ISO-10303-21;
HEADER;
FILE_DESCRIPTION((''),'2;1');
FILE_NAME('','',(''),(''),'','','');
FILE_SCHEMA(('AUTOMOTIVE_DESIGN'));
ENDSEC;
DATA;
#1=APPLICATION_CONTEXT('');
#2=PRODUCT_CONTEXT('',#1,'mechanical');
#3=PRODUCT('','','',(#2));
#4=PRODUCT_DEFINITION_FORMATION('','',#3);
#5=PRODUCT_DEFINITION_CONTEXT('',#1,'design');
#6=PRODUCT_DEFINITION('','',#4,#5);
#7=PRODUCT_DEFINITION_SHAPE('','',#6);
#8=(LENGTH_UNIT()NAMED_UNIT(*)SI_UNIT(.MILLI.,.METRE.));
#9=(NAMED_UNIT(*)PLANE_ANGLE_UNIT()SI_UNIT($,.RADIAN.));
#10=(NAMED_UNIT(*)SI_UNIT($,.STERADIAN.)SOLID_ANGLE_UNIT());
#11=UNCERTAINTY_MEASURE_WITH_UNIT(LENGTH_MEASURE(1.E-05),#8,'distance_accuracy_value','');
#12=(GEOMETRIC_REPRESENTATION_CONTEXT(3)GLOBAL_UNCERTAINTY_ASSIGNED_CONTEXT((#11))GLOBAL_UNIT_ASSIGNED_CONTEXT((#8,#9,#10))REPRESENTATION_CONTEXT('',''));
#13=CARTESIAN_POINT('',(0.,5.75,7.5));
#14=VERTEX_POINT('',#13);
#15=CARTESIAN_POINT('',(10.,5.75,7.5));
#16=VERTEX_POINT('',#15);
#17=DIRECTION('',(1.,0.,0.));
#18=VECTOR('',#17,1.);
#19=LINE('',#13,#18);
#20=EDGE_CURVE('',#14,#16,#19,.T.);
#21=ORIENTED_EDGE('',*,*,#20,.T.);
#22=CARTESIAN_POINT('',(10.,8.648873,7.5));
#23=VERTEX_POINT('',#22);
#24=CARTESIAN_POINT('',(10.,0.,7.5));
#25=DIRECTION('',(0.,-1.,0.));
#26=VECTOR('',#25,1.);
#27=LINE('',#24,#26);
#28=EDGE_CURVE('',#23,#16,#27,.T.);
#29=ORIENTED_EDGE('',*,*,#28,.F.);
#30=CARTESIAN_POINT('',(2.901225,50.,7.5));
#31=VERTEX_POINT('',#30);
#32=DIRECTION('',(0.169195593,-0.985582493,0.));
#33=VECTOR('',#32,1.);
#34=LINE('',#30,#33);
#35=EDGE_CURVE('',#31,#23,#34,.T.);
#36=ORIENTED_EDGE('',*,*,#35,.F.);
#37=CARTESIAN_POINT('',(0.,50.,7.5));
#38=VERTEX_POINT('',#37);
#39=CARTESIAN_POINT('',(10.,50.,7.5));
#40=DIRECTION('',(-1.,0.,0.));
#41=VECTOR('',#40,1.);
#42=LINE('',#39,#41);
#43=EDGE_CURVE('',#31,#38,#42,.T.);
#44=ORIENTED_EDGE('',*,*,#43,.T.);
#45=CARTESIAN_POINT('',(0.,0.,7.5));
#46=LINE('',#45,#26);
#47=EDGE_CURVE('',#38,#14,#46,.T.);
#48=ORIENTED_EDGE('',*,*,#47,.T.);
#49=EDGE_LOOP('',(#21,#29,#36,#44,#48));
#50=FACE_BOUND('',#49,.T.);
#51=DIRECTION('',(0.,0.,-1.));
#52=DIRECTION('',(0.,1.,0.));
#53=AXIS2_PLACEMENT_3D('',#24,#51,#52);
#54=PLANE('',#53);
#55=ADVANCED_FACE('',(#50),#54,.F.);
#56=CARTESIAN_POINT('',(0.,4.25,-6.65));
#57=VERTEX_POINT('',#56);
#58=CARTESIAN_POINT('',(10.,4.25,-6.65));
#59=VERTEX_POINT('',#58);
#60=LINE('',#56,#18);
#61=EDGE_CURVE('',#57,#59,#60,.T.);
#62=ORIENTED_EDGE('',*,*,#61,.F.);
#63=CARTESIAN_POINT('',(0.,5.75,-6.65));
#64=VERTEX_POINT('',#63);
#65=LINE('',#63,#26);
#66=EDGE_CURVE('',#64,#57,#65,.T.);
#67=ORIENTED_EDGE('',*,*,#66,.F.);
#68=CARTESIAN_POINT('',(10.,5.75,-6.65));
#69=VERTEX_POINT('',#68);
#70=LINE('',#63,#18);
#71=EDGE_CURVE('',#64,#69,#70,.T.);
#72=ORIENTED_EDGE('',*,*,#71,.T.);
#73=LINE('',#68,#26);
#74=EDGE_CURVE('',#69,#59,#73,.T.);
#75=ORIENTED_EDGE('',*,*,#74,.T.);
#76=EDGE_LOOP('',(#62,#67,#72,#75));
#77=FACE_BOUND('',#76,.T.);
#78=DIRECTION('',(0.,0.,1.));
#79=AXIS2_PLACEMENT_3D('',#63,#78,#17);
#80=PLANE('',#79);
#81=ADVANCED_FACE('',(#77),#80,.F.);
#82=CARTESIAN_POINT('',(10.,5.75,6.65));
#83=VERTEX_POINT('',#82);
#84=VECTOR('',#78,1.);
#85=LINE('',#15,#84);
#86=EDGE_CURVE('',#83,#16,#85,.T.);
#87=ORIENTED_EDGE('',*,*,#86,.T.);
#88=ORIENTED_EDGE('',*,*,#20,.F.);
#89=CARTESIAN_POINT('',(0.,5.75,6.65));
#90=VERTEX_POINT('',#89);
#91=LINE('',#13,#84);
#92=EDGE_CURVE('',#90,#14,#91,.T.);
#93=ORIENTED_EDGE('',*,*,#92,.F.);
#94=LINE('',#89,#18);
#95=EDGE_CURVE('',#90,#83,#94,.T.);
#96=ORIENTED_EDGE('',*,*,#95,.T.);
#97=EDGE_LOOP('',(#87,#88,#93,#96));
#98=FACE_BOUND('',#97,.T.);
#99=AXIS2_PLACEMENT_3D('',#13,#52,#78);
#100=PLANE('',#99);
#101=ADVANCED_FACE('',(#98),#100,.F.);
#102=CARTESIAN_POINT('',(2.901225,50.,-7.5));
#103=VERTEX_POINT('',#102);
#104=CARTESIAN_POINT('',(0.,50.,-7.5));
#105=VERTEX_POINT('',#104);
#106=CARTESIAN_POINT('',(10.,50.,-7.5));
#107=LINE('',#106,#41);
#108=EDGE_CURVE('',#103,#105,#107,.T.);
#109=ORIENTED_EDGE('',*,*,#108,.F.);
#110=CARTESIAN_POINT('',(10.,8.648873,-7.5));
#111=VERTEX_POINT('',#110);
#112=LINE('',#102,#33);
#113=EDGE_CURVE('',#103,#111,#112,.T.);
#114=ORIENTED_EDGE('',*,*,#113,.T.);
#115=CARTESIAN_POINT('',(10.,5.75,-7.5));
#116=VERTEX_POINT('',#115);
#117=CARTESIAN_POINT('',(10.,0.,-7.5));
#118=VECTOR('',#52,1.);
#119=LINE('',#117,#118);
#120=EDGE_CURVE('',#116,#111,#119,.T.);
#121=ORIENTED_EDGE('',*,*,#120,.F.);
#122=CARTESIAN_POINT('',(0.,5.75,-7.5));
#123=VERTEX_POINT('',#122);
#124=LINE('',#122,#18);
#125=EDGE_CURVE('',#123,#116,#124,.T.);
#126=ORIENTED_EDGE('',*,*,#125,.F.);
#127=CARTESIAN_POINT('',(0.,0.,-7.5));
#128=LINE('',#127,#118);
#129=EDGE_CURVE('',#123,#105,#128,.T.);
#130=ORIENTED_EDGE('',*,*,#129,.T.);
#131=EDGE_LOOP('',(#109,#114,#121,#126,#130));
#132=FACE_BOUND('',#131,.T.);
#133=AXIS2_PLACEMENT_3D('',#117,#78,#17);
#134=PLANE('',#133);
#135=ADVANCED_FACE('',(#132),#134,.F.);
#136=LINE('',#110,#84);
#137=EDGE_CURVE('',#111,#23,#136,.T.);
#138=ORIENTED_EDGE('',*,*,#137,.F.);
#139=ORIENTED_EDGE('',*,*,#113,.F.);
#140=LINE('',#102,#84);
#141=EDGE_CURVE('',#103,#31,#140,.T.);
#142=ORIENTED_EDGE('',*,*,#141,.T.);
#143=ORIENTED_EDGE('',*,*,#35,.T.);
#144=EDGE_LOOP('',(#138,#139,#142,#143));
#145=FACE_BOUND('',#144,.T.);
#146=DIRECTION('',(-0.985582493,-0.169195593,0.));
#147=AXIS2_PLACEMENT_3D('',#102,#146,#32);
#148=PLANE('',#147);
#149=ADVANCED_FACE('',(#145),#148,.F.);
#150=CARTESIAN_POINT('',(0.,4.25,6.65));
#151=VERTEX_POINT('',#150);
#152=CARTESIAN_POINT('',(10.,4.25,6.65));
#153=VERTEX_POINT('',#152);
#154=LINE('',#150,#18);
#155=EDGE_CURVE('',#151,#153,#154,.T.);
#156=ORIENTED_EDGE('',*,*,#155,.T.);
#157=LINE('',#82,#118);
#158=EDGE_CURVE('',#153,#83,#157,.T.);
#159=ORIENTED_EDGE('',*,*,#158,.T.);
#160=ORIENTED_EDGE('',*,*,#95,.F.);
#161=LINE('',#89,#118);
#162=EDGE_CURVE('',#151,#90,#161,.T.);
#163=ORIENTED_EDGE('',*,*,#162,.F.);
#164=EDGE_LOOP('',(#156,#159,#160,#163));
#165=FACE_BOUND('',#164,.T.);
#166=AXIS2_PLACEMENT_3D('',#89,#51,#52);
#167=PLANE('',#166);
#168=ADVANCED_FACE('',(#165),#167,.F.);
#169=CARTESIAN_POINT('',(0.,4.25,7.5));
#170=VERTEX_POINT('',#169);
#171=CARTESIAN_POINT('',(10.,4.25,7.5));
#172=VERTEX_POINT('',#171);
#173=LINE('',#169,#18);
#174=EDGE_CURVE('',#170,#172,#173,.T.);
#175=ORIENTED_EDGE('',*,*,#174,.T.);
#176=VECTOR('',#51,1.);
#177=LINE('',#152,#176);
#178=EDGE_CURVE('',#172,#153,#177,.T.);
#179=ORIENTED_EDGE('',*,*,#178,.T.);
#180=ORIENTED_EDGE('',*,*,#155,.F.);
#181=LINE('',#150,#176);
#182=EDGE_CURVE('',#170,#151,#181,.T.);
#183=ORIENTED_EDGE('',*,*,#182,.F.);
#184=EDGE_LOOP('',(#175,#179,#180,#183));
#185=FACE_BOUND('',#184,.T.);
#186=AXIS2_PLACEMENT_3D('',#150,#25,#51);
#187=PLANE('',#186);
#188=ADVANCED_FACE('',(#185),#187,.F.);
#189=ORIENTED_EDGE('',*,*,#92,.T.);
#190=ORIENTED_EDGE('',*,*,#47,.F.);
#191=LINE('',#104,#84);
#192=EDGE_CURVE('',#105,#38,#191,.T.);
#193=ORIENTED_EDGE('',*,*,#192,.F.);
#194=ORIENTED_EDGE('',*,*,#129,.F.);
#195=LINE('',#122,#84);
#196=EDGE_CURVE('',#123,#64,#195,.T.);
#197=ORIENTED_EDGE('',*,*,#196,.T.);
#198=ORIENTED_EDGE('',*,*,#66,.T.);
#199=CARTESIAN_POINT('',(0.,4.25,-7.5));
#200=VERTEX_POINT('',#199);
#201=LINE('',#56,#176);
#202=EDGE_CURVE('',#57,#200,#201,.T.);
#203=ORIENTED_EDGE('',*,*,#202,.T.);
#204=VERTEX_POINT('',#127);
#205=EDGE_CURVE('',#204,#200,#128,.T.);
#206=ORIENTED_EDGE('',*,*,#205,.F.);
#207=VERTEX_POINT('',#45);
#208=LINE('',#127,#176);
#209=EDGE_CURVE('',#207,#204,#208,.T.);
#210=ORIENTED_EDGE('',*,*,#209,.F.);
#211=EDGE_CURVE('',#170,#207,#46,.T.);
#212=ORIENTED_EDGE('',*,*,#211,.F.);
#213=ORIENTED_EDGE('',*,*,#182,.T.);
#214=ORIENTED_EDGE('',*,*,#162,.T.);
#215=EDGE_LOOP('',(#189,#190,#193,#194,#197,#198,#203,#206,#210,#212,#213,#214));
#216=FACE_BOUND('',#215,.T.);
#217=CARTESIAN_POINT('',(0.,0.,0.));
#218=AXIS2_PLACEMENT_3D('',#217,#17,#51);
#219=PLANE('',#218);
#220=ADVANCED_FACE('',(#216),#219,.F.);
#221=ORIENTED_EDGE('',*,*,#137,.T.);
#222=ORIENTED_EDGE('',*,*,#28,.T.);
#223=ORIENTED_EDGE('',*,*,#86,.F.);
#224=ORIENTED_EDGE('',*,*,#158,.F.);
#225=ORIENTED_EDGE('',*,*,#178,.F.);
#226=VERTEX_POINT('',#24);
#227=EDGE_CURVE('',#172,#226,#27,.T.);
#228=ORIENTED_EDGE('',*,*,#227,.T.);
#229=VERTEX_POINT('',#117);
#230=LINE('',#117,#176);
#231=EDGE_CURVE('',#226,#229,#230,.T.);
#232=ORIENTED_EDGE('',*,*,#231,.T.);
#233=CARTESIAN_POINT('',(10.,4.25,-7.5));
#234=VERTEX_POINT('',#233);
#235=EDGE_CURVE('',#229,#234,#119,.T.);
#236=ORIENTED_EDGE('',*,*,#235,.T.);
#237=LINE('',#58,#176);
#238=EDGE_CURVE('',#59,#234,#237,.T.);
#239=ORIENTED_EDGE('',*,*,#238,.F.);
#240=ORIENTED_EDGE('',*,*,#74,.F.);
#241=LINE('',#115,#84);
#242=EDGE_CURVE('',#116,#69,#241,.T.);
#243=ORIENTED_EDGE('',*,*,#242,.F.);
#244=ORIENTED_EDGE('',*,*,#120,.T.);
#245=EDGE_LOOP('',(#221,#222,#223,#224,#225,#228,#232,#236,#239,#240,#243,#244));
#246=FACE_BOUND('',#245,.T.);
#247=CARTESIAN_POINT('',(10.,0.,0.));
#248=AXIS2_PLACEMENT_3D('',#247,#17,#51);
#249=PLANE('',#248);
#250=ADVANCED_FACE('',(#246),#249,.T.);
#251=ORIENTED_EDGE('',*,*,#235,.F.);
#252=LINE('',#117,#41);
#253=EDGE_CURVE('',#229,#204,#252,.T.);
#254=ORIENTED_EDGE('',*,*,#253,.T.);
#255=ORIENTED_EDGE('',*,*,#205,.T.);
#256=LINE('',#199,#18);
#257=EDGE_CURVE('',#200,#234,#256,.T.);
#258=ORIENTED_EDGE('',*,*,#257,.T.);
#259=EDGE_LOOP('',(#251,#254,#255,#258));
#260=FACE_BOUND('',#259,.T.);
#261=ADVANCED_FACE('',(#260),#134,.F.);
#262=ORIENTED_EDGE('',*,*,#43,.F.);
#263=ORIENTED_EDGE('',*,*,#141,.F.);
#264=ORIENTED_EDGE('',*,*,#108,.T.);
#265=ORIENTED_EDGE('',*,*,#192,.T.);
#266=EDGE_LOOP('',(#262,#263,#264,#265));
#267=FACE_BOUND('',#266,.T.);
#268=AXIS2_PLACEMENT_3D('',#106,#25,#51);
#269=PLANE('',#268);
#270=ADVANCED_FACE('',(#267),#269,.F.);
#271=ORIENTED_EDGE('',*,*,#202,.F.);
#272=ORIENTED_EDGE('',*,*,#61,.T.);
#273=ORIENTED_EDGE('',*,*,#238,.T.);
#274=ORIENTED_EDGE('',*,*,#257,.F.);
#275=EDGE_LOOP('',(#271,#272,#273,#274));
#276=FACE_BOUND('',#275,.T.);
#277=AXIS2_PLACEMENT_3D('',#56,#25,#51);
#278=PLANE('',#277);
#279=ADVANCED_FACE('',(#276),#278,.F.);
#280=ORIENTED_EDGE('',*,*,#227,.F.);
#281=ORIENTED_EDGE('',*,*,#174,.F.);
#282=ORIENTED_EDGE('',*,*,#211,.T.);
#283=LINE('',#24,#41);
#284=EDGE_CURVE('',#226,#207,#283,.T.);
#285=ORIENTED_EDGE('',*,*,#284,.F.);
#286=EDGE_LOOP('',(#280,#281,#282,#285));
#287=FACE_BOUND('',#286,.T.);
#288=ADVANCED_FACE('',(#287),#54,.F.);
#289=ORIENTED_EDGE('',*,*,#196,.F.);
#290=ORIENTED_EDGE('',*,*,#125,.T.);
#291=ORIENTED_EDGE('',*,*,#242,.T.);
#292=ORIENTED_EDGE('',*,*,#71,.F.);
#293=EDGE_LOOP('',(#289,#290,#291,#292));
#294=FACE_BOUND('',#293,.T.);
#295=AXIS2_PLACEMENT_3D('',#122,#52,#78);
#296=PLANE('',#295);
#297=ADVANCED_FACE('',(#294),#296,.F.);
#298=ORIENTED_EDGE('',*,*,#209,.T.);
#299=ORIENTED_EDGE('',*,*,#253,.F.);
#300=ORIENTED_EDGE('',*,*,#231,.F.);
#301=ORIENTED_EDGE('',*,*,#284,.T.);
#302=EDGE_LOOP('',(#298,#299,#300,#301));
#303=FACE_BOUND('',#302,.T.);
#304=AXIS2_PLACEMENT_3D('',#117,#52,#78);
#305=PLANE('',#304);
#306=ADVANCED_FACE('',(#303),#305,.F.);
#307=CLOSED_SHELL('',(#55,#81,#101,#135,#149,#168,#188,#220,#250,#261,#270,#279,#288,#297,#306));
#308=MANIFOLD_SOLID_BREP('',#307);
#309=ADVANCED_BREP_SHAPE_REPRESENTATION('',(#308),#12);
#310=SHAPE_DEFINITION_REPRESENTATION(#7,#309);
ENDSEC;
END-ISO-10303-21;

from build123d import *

# Parameters (mm, degrees)
SKETCH1_W           = 15
SKETCH1_H           = 50
BOSS_EXTRUDE1_DEPTH = 10
SKETCH2_W           = 0.85
SKETCH2_H           = 1.5
CUT_EXTRUDE1_DEPTH  = 52.53882032
CUT_EXTRUDE3_DEPTH  = 54.150729064


with BuildPart() as part:
    # Sketch1 → Boss-Extrude1 (new body)
    with BuildSketch(Plane(origin=(0, 0, 0), x_dir=(0, 0, -1), z_dir=(1, 0, 0))):
        with Locations((0, 25)):
            Rectangle(SKETCH1_W, SKETCH1_H)
    extrude(amount=BOSS_EXTRUDE1_DEPTH)

    # Sketch2 → Cut-Extrude1 (cut, through all)
    with BuildSketch(Plane(origin=(10, 0, 0), x_dir=(0, 0, -1), z_dir=(1, 0, 0))):
        with Locations((-7.075, 5)):
            Rectangle(SKETCH2_W, SKETCH2_H)
        with Locations((7.075, 5)):
            Rectangle(SKETCH2_W, SKETCH2_H)
    extrude(amount=-CUT_EXTRUDE1_DEPTH, mode=Mode.SUBTRACT)

    # Sketch3 → Cut-Extrude3 (cut, through all)
    with BuildSketch(Plane.XY.offset(7.5)):
        Polygon((2.90122494, 50), (10, 8.648873186), (10, 50), align=None)
    extrude(amount=-CUT_EXTRUDE3_DEPTH, mode=Mode.SUBTRACT)


solid = part.part
